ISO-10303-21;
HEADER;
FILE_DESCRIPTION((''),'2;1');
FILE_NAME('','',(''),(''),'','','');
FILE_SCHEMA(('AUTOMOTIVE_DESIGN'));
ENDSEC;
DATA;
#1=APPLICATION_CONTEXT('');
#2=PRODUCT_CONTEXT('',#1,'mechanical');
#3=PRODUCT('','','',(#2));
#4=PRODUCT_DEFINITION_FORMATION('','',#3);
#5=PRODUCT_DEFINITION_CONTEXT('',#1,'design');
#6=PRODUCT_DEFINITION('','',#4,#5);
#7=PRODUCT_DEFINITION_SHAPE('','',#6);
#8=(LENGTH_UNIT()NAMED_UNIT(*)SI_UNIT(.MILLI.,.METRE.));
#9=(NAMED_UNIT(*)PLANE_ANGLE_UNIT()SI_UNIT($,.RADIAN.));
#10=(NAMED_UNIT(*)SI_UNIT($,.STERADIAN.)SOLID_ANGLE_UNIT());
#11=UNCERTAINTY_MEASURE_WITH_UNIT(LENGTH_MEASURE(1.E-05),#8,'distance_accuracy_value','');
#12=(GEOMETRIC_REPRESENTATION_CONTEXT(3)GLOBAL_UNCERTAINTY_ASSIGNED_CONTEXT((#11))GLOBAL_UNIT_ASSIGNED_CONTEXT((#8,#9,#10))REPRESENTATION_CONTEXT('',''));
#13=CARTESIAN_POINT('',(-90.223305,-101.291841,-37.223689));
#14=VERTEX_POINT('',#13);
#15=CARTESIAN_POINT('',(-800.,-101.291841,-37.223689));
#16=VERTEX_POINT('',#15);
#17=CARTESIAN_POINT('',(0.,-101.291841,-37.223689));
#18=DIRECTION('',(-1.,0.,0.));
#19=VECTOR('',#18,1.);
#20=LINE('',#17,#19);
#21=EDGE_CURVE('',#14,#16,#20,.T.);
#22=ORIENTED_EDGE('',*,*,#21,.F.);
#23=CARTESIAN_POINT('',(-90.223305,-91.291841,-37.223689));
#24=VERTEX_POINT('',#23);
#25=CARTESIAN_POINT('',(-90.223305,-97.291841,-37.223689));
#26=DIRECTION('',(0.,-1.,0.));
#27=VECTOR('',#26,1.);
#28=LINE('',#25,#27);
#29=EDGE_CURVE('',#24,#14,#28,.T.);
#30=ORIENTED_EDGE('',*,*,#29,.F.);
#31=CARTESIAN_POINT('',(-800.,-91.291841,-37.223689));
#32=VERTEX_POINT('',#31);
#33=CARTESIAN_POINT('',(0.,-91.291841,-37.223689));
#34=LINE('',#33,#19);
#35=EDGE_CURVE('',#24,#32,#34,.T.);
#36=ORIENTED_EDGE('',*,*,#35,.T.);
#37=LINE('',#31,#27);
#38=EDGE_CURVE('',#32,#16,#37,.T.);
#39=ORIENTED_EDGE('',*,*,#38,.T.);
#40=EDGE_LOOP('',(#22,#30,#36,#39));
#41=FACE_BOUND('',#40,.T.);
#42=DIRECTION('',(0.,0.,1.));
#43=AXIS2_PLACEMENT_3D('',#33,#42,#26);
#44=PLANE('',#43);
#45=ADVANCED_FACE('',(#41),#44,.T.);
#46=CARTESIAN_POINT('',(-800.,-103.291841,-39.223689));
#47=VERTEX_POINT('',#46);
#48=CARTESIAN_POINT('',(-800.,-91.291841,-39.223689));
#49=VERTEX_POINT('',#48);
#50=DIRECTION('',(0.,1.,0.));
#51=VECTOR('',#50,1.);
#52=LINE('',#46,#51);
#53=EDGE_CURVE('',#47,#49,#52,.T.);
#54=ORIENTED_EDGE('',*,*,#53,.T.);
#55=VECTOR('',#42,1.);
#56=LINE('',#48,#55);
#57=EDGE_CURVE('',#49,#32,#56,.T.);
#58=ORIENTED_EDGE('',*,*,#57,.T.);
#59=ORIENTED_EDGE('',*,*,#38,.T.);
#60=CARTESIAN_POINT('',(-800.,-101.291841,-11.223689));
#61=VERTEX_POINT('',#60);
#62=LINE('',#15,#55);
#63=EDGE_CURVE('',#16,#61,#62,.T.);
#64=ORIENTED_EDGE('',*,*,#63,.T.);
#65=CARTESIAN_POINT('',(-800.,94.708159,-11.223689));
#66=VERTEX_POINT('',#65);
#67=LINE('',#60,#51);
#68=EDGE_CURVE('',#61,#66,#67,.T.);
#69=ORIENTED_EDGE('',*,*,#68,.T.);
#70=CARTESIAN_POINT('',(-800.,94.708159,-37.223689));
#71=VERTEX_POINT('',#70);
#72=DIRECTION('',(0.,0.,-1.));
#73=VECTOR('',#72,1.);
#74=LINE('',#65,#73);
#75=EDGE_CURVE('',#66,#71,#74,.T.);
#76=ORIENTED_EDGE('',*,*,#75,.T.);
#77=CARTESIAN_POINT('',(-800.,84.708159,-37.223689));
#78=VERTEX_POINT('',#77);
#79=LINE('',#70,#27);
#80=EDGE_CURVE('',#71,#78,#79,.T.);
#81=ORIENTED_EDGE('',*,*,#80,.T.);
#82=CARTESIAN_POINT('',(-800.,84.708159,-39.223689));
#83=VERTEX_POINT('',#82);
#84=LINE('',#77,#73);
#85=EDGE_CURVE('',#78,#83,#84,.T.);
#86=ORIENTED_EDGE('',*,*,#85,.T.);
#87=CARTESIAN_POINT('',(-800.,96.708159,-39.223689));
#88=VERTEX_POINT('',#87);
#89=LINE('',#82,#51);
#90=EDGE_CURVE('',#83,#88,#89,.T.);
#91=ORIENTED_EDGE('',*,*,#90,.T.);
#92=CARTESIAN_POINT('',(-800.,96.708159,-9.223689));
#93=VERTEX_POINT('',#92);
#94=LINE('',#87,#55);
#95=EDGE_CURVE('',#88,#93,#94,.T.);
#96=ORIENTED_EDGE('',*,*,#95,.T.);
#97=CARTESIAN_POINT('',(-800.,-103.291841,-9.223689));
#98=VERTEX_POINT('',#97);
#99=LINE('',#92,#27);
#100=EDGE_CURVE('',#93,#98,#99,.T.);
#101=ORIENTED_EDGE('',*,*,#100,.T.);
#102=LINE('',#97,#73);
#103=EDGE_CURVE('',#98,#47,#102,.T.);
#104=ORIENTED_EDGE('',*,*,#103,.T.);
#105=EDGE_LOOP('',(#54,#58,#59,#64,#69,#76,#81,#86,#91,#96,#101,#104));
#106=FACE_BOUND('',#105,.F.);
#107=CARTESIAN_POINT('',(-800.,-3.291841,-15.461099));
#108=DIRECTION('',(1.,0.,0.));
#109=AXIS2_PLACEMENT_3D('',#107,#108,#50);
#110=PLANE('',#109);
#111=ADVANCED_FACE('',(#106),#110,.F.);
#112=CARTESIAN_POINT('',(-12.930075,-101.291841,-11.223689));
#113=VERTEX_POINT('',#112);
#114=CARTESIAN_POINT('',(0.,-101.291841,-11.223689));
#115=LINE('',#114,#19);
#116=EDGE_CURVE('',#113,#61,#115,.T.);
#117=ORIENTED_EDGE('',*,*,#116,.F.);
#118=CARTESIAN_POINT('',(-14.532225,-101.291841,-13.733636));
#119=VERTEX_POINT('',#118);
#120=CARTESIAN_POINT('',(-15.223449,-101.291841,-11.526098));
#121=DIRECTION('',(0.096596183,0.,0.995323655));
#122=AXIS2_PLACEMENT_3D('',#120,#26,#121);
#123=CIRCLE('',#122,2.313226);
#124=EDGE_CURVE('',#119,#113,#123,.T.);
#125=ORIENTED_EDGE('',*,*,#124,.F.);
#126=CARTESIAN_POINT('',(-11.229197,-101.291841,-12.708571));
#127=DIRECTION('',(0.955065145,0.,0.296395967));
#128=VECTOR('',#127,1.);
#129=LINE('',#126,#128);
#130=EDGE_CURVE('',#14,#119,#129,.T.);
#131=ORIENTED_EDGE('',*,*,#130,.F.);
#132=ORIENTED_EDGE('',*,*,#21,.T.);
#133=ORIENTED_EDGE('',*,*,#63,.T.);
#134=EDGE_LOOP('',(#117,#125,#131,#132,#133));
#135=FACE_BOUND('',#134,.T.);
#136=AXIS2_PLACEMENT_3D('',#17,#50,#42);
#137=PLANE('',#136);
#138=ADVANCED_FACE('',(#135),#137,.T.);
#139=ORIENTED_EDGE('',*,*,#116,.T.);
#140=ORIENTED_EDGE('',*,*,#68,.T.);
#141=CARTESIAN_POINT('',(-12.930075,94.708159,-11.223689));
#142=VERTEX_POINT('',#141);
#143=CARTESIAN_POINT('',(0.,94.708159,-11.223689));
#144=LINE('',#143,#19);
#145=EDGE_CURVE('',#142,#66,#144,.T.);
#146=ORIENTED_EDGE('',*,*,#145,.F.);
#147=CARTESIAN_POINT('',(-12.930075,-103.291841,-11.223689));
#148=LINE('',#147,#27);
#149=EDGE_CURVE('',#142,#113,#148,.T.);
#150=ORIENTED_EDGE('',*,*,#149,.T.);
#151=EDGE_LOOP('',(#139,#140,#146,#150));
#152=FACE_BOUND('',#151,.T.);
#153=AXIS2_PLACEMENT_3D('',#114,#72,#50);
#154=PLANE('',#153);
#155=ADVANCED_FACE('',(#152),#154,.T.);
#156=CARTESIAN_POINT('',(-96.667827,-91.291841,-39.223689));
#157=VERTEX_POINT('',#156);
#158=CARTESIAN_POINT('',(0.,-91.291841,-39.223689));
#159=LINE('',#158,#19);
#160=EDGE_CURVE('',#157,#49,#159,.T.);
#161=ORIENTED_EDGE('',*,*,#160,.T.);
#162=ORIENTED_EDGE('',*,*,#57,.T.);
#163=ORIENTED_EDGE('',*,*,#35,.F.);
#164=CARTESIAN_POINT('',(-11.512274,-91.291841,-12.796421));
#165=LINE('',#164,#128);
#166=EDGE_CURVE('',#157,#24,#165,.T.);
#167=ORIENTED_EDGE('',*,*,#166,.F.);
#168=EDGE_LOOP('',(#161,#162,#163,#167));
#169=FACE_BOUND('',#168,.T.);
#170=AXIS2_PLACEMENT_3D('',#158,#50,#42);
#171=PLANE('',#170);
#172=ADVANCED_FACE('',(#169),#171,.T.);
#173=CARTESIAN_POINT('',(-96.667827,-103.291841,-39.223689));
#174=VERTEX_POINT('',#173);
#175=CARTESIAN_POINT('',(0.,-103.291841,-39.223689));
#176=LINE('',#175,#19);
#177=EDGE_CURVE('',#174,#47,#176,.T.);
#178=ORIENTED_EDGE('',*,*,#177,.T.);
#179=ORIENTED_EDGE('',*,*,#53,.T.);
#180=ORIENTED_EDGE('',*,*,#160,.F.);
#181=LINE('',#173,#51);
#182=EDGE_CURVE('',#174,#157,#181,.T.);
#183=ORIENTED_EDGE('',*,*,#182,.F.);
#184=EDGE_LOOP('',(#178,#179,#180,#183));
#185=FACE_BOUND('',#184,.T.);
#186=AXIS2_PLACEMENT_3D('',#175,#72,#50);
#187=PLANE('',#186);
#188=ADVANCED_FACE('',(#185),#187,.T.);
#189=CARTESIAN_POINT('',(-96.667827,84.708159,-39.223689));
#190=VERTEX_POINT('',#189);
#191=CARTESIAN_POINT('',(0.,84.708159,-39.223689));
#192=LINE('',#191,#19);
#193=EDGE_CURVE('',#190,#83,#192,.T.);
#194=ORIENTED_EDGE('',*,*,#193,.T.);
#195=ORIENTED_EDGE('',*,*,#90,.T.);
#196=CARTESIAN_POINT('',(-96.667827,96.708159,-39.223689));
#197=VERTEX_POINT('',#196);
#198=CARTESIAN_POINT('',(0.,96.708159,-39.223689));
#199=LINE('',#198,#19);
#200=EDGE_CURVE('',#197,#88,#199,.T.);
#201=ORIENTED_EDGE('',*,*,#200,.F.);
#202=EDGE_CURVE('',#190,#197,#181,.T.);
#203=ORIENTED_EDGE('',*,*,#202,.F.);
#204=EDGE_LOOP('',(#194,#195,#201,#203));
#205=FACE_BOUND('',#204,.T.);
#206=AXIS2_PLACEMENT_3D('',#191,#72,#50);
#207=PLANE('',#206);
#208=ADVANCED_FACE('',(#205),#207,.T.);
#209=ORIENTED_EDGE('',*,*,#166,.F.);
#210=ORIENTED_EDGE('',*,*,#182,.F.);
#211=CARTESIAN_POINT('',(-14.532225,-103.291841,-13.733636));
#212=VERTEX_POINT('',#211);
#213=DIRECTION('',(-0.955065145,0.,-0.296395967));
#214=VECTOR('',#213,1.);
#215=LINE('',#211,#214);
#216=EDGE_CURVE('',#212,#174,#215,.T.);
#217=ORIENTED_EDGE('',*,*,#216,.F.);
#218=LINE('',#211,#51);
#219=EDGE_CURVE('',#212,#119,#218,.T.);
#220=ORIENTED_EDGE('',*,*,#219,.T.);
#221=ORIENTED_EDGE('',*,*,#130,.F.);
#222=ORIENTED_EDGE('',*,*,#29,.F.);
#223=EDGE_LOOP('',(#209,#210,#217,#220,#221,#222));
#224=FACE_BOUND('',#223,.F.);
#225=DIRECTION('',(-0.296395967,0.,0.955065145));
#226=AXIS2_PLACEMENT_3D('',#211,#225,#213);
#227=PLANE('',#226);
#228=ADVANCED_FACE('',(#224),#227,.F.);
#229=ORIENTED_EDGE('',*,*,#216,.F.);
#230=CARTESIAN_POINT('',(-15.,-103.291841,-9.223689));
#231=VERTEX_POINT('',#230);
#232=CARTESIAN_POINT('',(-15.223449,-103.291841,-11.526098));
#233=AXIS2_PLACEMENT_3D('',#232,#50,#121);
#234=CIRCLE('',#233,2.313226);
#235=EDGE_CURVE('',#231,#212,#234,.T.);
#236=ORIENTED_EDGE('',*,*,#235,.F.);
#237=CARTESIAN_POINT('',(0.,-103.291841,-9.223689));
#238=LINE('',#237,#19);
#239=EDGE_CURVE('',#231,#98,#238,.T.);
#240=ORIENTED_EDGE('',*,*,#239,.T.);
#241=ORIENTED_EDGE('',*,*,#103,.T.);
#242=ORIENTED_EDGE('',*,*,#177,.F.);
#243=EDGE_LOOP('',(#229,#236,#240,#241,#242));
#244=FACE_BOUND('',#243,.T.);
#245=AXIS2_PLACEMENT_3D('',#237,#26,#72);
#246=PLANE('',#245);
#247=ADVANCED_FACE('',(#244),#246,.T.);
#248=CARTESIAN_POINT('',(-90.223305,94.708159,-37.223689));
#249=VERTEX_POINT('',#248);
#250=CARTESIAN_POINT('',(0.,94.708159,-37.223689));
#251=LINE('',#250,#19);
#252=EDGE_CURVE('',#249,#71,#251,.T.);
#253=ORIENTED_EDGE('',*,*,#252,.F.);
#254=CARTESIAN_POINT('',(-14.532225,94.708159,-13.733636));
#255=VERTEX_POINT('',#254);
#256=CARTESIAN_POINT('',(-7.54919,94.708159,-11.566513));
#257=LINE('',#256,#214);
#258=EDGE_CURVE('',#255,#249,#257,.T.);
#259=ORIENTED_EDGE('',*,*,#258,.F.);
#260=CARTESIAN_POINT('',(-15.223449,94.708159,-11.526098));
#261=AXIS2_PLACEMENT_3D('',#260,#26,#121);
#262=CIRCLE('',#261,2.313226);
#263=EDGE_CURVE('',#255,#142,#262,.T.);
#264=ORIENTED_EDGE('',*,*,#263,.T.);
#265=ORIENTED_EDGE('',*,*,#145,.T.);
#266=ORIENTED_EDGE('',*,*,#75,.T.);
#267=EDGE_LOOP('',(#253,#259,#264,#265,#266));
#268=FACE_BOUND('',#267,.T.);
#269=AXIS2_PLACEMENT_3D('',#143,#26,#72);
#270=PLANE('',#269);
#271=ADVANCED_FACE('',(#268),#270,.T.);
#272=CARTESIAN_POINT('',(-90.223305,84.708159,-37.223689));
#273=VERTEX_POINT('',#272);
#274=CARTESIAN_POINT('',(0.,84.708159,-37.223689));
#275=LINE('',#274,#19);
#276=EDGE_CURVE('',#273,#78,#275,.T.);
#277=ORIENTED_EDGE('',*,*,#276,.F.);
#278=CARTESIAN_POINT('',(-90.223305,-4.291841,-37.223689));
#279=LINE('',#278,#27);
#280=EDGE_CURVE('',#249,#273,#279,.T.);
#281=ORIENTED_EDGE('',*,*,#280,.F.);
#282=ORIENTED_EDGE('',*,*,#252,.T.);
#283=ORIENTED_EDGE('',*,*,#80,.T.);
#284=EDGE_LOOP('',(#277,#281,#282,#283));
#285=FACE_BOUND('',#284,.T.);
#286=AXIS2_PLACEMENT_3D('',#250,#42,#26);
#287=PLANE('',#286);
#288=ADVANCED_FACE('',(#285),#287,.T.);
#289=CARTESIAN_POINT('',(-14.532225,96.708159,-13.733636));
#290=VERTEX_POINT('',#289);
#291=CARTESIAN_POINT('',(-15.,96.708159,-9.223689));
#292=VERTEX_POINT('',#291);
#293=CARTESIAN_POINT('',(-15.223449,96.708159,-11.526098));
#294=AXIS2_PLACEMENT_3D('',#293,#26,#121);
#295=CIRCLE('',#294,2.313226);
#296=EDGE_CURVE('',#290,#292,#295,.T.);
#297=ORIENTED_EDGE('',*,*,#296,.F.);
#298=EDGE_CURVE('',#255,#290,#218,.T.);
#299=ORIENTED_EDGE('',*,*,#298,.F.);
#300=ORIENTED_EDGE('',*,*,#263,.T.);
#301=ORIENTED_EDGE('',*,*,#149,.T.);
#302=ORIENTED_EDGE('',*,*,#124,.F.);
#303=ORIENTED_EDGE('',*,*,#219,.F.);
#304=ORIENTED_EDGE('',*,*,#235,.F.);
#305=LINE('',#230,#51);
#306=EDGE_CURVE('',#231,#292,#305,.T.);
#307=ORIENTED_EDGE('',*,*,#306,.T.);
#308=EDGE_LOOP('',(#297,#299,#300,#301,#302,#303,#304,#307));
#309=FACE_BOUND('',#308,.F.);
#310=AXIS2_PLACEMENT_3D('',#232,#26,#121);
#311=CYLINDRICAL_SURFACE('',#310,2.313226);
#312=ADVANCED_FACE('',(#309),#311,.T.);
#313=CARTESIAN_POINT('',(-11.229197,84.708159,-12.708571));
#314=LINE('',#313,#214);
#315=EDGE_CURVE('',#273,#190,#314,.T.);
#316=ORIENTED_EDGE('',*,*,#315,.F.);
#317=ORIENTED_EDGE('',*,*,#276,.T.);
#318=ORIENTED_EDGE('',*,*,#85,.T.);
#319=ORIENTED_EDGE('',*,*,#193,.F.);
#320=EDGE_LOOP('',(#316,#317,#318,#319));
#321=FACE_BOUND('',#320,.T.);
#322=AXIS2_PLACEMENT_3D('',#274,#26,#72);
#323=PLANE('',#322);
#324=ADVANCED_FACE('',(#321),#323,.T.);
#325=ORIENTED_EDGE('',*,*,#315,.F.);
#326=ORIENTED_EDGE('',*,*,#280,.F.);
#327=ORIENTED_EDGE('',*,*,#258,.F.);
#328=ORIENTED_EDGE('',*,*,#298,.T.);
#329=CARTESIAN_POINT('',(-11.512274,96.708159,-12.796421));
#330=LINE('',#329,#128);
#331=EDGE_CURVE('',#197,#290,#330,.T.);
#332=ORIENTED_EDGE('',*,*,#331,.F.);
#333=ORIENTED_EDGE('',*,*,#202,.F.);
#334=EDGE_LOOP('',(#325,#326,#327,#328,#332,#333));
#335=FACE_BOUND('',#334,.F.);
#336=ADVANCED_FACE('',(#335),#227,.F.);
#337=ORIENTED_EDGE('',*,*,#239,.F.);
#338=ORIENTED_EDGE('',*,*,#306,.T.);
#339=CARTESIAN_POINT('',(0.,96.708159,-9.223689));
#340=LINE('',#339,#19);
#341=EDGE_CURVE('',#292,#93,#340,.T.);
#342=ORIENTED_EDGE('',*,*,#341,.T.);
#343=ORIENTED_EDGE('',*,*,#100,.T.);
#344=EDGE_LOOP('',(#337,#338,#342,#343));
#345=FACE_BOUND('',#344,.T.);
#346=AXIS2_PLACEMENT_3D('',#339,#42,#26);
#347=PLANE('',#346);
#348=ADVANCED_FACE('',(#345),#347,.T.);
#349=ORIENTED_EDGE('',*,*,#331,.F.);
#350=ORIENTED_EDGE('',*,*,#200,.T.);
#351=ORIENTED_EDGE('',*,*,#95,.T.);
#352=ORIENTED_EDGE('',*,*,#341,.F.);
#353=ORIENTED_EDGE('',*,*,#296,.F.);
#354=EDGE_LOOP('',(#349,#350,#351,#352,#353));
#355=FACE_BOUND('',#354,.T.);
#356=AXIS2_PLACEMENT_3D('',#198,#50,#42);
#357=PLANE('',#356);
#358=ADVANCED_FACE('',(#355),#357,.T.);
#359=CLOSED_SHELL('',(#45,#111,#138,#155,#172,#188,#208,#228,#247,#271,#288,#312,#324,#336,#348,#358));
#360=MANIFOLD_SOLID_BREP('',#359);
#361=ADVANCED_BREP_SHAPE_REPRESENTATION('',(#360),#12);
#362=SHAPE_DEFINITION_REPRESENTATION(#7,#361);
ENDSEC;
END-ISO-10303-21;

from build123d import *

# Parameters (mm, degrees)
F1_DEPTH = 800
F3_DEPTH = 250


with BuildPart() as f1:
    # F0 (on Right) → F1 (new body)
    with BuildSketch(Plane.YZ):
        Polygon((-103.291841, -39.223689), (-91.291841, -39.223689), (-91.291841, -37.223689), (-101.291841, -37.223689), (-101.291841, -11.223689), (94.708159, -11.223689), (94.708159, -37.223689), (84.708159, -37.223689), (84.708159, -39.223689), (96.708159, -39.223689), (96.708159, -9.223689), (-103.291841, -9.223689), align=None)
    extrude(amount=-F1_DEPTH)

    # F2 (on face) → F3 (cut)
    with BuildSketch(Plane.XZ.offset(103.291841)):
        with BuildLine():
            ThreePointArc((-15, -9.223689), (-12.922566, -11.287448), (-14.532225, -13.733636))
            Line((-14.532225, -13.733636), (-96.667827, -39.223689))
            Line((-96.667827, -39.223689), (0, -39.223689))
            Line((0, -39.223689), (0, -9.223689))
            Line((0, -9.223689), (-15, -9.223689))
        make_face()
    extrude(amount=-F3_DEPTH, mode=Mode.SUBTRACT)


solid = f1.part
